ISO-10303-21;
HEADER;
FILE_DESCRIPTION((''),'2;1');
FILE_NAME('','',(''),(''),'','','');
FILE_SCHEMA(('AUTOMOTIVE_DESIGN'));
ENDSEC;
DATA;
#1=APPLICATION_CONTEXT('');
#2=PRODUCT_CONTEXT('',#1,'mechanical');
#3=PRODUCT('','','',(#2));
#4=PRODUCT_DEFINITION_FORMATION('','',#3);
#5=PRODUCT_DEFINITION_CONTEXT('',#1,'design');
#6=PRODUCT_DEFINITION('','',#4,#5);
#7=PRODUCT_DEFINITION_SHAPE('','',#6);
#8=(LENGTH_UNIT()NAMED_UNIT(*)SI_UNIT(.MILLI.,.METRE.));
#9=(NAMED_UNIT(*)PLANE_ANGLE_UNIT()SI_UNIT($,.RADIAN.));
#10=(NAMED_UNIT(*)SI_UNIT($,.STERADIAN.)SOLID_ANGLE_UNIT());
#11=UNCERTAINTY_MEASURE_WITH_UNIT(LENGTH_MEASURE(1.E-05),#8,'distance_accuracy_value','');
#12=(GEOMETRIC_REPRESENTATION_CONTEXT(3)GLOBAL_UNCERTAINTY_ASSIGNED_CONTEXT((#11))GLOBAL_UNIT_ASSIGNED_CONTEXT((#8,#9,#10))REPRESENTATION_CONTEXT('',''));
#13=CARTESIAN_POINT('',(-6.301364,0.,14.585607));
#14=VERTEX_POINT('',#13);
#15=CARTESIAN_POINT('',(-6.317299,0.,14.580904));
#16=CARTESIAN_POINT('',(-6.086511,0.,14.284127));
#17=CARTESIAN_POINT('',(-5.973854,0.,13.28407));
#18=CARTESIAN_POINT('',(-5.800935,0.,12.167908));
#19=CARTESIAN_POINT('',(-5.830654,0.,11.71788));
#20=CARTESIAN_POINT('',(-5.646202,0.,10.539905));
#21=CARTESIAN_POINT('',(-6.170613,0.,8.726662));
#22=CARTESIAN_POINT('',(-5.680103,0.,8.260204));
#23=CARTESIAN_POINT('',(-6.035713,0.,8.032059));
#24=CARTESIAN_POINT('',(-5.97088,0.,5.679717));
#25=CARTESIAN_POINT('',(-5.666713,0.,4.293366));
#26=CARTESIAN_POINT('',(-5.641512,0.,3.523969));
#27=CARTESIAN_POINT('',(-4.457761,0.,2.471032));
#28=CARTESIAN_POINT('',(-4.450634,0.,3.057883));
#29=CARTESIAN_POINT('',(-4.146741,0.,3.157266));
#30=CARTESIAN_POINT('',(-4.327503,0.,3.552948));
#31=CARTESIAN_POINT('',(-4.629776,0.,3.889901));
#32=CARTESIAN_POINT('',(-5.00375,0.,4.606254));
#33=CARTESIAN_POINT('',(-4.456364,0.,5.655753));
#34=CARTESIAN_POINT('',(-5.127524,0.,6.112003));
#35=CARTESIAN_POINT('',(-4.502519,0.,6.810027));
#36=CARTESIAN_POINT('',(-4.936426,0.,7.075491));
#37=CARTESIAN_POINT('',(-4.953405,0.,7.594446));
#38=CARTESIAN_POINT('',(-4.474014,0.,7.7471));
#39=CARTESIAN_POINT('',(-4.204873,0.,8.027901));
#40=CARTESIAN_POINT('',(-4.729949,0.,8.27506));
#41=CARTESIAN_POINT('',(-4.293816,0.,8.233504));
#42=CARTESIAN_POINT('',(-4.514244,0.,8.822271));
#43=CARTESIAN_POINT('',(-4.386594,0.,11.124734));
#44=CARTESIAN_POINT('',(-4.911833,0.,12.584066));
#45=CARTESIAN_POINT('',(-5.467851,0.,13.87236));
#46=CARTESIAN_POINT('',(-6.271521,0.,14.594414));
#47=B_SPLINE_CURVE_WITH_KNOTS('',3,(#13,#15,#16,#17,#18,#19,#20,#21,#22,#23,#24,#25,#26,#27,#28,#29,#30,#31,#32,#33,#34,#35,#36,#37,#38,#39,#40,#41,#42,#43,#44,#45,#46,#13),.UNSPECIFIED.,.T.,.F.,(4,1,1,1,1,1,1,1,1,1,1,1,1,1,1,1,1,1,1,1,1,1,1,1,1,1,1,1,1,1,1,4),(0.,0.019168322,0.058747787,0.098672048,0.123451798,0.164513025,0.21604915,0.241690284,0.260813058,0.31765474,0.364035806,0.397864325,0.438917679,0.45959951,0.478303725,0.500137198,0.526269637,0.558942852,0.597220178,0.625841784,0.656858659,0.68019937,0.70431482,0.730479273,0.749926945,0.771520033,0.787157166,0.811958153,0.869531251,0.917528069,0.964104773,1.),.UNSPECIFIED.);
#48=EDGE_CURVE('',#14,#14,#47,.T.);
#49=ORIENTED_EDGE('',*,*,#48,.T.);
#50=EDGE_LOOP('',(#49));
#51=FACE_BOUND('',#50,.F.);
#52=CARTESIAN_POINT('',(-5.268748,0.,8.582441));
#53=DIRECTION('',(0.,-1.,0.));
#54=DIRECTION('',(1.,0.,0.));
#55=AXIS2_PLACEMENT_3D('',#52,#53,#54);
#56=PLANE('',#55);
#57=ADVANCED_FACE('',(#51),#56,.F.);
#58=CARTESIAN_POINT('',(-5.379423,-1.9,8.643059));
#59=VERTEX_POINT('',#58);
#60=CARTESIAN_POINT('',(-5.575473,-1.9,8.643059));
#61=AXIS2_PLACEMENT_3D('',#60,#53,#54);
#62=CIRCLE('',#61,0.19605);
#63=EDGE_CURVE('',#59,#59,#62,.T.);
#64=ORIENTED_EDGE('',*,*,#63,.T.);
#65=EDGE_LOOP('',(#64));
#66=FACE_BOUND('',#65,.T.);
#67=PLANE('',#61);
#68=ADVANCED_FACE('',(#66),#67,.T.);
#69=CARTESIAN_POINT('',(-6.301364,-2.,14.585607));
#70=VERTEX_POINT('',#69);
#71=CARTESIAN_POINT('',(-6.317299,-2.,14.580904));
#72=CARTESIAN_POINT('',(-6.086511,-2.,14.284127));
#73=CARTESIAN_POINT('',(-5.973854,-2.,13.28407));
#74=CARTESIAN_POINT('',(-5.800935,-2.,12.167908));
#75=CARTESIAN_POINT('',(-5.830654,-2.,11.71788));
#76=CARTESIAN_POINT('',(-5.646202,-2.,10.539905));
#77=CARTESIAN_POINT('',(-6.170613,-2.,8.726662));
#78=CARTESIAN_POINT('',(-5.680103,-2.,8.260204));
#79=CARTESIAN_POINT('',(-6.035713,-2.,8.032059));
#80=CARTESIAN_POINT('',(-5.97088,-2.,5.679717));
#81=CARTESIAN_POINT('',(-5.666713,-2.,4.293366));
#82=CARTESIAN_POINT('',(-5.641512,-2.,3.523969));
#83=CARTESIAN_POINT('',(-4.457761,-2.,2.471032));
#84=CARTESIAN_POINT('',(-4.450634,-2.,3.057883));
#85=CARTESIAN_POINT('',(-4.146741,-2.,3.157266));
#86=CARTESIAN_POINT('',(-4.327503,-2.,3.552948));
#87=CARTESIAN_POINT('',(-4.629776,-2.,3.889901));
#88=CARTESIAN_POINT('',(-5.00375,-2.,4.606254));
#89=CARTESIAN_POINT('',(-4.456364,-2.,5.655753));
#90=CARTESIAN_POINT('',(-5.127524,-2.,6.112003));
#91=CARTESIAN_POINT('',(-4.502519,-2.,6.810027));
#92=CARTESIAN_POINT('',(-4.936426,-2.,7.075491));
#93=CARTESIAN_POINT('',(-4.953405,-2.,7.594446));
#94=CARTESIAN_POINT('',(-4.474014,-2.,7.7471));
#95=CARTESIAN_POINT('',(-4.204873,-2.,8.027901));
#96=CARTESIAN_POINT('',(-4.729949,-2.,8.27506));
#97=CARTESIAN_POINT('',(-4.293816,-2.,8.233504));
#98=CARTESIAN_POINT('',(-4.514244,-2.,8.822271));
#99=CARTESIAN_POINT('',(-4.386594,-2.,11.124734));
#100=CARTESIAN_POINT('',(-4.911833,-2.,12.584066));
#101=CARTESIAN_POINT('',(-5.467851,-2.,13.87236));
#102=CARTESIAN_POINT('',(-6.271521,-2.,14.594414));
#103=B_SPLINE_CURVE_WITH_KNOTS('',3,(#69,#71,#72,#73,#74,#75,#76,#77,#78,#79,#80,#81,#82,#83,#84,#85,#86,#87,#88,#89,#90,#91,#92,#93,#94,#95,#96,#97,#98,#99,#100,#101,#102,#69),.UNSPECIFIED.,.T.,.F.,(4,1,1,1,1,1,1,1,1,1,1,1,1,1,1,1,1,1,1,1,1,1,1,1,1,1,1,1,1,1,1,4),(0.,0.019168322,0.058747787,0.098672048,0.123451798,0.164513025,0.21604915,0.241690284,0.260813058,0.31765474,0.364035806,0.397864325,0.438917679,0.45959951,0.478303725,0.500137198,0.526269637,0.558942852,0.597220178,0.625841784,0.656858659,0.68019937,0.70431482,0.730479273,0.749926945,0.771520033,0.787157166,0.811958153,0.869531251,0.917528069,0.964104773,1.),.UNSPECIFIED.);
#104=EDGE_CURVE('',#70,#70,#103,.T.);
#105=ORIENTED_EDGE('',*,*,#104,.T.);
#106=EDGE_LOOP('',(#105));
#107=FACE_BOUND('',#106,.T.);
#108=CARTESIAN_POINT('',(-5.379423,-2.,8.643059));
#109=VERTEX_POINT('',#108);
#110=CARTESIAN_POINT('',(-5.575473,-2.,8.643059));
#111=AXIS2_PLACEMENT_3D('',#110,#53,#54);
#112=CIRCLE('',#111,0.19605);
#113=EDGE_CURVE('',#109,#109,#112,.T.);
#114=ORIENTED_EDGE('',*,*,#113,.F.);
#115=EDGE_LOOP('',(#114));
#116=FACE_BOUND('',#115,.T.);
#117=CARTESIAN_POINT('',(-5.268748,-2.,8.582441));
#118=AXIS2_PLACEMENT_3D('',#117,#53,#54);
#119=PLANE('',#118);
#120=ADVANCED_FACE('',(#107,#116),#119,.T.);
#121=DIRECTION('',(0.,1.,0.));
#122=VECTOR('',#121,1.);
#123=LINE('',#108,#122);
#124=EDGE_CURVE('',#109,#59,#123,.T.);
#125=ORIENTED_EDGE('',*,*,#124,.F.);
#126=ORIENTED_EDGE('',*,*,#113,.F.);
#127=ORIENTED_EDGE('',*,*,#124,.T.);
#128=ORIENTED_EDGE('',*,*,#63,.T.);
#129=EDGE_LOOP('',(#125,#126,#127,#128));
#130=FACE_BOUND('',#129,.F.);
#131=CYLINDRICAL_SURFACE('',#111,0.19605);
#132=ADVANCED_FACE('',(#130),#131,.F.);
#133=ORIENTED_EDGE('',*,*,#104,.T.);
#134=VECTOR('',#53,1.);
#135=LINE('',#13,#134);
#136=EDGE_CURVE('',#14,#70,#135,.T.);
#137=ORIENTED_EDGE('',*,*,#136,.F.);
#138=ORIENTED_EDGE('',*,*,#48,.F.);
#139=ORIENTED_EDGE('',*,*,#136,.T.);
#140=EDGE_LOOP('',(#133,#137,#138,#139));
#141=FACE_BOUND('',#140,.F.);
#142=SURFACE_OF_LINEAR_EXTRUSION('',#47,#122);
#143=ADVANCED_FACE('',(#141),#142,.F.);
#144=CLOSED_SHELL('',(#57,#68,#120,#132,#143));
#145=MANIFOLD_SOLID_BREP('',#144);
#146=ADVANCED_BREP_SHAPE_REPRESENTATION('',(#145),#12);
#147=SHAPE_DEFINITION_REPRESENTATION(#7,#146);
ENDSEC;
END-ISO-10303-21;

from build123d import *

# Parameters (mm, degrees)
F1_DEPTH = 2
F2_R     = 0.1960500861
F3_DEPTH = 0.1


with BuildPart() as f1:
    # F0 (on Front) → F1 (new body)
    with BuildSketch(Plane.XZ):
        with BuildLine():
            add(Edge.make_bspline(
                [(-6.3013635024, 14.5856069156), (-6.31729942, 14.5809037539), (-6.0865109677, 14.2841273026), (-5.9738540926, 13.2840700372), (-5.8009353765, 12.1679084614), (-5.8306536721, 11.7178799293), (-5.646202448, 10.5399049705), (-6.1706125336, 8.7266620502), (-5.6801026536, 8.2602035969), (-6.0357128862, 8.0320589054), (-5.970879944, 5.6797168325), (-5.6667125045, 4.2933655803), (-5.6415123773, 3.5239690831), (-4.4577612543, 2.4710322236), (-4.4506340127, 3.0578831206), (-4.1467406228, 3.1572662291), (-4.3275025949, 3.5529479821), (-4.629776267, 3.8899008227), (-5.0037496862, 4.6062543262), (-4.4563640747, 5.6557531794), (-5.1275236348, 6.112003077), (-4.502519212, 6.8100271446), (-4.9364260741, 7.0754908606), (-4.9534046443, 7.5944455397), (-4.4740144316, 7.7471000126), (-4.2048728121, 8.0279005907), (-4.7299488504, 8.2750597148), (-4.2938164201, 8.2335040282), (-4.5142435025, 8.8222712464), (-4.3865935765, 11.1247335821), (-4.9118327408, 12.5840662552), (-5.4678506094, 13.872359743), (-6.2715213827, 14.5944142099), (-6.3013635024, 14.5856069156)],
                knots=[0, 0, 0, 0, 0.0191683224, 0.0587477868, 0.0986720484, 0.1234517983, 0.1645130247, 0.2160491497, 0.241690284, 0.2608130578, 0.3176547403, 0.3640358062, 0.3978643249, 0.4389176791, 0.4595995097, 0.4783037255, 0.500137198, 0.5262696368, 0.5589428519, 0.5972201784, 0.6258417837, 0.6568586585, 0.6801993696, 0.7043148202, 0.7304792729, 0.7499269454, 0.7715200335, 0.7871571655, 0.8119581532, 0.8695312507, 0.9175280694, 0.9641047732, 1, 1, 1, 1], degree=3))
        make_face()
    extrude(amount=F1_DEPTH)

    # F2 (on face) → F3 (cut)
    with BuildSketch(Plane.XZ.offset(2)):
        with Locations((-5.5754729547, 8.64305906)):
            Circle(F2_R)
    extrude(amount=-F3_DEPTH, mode=Mode.SUBTRACT)


solid = f1.part
